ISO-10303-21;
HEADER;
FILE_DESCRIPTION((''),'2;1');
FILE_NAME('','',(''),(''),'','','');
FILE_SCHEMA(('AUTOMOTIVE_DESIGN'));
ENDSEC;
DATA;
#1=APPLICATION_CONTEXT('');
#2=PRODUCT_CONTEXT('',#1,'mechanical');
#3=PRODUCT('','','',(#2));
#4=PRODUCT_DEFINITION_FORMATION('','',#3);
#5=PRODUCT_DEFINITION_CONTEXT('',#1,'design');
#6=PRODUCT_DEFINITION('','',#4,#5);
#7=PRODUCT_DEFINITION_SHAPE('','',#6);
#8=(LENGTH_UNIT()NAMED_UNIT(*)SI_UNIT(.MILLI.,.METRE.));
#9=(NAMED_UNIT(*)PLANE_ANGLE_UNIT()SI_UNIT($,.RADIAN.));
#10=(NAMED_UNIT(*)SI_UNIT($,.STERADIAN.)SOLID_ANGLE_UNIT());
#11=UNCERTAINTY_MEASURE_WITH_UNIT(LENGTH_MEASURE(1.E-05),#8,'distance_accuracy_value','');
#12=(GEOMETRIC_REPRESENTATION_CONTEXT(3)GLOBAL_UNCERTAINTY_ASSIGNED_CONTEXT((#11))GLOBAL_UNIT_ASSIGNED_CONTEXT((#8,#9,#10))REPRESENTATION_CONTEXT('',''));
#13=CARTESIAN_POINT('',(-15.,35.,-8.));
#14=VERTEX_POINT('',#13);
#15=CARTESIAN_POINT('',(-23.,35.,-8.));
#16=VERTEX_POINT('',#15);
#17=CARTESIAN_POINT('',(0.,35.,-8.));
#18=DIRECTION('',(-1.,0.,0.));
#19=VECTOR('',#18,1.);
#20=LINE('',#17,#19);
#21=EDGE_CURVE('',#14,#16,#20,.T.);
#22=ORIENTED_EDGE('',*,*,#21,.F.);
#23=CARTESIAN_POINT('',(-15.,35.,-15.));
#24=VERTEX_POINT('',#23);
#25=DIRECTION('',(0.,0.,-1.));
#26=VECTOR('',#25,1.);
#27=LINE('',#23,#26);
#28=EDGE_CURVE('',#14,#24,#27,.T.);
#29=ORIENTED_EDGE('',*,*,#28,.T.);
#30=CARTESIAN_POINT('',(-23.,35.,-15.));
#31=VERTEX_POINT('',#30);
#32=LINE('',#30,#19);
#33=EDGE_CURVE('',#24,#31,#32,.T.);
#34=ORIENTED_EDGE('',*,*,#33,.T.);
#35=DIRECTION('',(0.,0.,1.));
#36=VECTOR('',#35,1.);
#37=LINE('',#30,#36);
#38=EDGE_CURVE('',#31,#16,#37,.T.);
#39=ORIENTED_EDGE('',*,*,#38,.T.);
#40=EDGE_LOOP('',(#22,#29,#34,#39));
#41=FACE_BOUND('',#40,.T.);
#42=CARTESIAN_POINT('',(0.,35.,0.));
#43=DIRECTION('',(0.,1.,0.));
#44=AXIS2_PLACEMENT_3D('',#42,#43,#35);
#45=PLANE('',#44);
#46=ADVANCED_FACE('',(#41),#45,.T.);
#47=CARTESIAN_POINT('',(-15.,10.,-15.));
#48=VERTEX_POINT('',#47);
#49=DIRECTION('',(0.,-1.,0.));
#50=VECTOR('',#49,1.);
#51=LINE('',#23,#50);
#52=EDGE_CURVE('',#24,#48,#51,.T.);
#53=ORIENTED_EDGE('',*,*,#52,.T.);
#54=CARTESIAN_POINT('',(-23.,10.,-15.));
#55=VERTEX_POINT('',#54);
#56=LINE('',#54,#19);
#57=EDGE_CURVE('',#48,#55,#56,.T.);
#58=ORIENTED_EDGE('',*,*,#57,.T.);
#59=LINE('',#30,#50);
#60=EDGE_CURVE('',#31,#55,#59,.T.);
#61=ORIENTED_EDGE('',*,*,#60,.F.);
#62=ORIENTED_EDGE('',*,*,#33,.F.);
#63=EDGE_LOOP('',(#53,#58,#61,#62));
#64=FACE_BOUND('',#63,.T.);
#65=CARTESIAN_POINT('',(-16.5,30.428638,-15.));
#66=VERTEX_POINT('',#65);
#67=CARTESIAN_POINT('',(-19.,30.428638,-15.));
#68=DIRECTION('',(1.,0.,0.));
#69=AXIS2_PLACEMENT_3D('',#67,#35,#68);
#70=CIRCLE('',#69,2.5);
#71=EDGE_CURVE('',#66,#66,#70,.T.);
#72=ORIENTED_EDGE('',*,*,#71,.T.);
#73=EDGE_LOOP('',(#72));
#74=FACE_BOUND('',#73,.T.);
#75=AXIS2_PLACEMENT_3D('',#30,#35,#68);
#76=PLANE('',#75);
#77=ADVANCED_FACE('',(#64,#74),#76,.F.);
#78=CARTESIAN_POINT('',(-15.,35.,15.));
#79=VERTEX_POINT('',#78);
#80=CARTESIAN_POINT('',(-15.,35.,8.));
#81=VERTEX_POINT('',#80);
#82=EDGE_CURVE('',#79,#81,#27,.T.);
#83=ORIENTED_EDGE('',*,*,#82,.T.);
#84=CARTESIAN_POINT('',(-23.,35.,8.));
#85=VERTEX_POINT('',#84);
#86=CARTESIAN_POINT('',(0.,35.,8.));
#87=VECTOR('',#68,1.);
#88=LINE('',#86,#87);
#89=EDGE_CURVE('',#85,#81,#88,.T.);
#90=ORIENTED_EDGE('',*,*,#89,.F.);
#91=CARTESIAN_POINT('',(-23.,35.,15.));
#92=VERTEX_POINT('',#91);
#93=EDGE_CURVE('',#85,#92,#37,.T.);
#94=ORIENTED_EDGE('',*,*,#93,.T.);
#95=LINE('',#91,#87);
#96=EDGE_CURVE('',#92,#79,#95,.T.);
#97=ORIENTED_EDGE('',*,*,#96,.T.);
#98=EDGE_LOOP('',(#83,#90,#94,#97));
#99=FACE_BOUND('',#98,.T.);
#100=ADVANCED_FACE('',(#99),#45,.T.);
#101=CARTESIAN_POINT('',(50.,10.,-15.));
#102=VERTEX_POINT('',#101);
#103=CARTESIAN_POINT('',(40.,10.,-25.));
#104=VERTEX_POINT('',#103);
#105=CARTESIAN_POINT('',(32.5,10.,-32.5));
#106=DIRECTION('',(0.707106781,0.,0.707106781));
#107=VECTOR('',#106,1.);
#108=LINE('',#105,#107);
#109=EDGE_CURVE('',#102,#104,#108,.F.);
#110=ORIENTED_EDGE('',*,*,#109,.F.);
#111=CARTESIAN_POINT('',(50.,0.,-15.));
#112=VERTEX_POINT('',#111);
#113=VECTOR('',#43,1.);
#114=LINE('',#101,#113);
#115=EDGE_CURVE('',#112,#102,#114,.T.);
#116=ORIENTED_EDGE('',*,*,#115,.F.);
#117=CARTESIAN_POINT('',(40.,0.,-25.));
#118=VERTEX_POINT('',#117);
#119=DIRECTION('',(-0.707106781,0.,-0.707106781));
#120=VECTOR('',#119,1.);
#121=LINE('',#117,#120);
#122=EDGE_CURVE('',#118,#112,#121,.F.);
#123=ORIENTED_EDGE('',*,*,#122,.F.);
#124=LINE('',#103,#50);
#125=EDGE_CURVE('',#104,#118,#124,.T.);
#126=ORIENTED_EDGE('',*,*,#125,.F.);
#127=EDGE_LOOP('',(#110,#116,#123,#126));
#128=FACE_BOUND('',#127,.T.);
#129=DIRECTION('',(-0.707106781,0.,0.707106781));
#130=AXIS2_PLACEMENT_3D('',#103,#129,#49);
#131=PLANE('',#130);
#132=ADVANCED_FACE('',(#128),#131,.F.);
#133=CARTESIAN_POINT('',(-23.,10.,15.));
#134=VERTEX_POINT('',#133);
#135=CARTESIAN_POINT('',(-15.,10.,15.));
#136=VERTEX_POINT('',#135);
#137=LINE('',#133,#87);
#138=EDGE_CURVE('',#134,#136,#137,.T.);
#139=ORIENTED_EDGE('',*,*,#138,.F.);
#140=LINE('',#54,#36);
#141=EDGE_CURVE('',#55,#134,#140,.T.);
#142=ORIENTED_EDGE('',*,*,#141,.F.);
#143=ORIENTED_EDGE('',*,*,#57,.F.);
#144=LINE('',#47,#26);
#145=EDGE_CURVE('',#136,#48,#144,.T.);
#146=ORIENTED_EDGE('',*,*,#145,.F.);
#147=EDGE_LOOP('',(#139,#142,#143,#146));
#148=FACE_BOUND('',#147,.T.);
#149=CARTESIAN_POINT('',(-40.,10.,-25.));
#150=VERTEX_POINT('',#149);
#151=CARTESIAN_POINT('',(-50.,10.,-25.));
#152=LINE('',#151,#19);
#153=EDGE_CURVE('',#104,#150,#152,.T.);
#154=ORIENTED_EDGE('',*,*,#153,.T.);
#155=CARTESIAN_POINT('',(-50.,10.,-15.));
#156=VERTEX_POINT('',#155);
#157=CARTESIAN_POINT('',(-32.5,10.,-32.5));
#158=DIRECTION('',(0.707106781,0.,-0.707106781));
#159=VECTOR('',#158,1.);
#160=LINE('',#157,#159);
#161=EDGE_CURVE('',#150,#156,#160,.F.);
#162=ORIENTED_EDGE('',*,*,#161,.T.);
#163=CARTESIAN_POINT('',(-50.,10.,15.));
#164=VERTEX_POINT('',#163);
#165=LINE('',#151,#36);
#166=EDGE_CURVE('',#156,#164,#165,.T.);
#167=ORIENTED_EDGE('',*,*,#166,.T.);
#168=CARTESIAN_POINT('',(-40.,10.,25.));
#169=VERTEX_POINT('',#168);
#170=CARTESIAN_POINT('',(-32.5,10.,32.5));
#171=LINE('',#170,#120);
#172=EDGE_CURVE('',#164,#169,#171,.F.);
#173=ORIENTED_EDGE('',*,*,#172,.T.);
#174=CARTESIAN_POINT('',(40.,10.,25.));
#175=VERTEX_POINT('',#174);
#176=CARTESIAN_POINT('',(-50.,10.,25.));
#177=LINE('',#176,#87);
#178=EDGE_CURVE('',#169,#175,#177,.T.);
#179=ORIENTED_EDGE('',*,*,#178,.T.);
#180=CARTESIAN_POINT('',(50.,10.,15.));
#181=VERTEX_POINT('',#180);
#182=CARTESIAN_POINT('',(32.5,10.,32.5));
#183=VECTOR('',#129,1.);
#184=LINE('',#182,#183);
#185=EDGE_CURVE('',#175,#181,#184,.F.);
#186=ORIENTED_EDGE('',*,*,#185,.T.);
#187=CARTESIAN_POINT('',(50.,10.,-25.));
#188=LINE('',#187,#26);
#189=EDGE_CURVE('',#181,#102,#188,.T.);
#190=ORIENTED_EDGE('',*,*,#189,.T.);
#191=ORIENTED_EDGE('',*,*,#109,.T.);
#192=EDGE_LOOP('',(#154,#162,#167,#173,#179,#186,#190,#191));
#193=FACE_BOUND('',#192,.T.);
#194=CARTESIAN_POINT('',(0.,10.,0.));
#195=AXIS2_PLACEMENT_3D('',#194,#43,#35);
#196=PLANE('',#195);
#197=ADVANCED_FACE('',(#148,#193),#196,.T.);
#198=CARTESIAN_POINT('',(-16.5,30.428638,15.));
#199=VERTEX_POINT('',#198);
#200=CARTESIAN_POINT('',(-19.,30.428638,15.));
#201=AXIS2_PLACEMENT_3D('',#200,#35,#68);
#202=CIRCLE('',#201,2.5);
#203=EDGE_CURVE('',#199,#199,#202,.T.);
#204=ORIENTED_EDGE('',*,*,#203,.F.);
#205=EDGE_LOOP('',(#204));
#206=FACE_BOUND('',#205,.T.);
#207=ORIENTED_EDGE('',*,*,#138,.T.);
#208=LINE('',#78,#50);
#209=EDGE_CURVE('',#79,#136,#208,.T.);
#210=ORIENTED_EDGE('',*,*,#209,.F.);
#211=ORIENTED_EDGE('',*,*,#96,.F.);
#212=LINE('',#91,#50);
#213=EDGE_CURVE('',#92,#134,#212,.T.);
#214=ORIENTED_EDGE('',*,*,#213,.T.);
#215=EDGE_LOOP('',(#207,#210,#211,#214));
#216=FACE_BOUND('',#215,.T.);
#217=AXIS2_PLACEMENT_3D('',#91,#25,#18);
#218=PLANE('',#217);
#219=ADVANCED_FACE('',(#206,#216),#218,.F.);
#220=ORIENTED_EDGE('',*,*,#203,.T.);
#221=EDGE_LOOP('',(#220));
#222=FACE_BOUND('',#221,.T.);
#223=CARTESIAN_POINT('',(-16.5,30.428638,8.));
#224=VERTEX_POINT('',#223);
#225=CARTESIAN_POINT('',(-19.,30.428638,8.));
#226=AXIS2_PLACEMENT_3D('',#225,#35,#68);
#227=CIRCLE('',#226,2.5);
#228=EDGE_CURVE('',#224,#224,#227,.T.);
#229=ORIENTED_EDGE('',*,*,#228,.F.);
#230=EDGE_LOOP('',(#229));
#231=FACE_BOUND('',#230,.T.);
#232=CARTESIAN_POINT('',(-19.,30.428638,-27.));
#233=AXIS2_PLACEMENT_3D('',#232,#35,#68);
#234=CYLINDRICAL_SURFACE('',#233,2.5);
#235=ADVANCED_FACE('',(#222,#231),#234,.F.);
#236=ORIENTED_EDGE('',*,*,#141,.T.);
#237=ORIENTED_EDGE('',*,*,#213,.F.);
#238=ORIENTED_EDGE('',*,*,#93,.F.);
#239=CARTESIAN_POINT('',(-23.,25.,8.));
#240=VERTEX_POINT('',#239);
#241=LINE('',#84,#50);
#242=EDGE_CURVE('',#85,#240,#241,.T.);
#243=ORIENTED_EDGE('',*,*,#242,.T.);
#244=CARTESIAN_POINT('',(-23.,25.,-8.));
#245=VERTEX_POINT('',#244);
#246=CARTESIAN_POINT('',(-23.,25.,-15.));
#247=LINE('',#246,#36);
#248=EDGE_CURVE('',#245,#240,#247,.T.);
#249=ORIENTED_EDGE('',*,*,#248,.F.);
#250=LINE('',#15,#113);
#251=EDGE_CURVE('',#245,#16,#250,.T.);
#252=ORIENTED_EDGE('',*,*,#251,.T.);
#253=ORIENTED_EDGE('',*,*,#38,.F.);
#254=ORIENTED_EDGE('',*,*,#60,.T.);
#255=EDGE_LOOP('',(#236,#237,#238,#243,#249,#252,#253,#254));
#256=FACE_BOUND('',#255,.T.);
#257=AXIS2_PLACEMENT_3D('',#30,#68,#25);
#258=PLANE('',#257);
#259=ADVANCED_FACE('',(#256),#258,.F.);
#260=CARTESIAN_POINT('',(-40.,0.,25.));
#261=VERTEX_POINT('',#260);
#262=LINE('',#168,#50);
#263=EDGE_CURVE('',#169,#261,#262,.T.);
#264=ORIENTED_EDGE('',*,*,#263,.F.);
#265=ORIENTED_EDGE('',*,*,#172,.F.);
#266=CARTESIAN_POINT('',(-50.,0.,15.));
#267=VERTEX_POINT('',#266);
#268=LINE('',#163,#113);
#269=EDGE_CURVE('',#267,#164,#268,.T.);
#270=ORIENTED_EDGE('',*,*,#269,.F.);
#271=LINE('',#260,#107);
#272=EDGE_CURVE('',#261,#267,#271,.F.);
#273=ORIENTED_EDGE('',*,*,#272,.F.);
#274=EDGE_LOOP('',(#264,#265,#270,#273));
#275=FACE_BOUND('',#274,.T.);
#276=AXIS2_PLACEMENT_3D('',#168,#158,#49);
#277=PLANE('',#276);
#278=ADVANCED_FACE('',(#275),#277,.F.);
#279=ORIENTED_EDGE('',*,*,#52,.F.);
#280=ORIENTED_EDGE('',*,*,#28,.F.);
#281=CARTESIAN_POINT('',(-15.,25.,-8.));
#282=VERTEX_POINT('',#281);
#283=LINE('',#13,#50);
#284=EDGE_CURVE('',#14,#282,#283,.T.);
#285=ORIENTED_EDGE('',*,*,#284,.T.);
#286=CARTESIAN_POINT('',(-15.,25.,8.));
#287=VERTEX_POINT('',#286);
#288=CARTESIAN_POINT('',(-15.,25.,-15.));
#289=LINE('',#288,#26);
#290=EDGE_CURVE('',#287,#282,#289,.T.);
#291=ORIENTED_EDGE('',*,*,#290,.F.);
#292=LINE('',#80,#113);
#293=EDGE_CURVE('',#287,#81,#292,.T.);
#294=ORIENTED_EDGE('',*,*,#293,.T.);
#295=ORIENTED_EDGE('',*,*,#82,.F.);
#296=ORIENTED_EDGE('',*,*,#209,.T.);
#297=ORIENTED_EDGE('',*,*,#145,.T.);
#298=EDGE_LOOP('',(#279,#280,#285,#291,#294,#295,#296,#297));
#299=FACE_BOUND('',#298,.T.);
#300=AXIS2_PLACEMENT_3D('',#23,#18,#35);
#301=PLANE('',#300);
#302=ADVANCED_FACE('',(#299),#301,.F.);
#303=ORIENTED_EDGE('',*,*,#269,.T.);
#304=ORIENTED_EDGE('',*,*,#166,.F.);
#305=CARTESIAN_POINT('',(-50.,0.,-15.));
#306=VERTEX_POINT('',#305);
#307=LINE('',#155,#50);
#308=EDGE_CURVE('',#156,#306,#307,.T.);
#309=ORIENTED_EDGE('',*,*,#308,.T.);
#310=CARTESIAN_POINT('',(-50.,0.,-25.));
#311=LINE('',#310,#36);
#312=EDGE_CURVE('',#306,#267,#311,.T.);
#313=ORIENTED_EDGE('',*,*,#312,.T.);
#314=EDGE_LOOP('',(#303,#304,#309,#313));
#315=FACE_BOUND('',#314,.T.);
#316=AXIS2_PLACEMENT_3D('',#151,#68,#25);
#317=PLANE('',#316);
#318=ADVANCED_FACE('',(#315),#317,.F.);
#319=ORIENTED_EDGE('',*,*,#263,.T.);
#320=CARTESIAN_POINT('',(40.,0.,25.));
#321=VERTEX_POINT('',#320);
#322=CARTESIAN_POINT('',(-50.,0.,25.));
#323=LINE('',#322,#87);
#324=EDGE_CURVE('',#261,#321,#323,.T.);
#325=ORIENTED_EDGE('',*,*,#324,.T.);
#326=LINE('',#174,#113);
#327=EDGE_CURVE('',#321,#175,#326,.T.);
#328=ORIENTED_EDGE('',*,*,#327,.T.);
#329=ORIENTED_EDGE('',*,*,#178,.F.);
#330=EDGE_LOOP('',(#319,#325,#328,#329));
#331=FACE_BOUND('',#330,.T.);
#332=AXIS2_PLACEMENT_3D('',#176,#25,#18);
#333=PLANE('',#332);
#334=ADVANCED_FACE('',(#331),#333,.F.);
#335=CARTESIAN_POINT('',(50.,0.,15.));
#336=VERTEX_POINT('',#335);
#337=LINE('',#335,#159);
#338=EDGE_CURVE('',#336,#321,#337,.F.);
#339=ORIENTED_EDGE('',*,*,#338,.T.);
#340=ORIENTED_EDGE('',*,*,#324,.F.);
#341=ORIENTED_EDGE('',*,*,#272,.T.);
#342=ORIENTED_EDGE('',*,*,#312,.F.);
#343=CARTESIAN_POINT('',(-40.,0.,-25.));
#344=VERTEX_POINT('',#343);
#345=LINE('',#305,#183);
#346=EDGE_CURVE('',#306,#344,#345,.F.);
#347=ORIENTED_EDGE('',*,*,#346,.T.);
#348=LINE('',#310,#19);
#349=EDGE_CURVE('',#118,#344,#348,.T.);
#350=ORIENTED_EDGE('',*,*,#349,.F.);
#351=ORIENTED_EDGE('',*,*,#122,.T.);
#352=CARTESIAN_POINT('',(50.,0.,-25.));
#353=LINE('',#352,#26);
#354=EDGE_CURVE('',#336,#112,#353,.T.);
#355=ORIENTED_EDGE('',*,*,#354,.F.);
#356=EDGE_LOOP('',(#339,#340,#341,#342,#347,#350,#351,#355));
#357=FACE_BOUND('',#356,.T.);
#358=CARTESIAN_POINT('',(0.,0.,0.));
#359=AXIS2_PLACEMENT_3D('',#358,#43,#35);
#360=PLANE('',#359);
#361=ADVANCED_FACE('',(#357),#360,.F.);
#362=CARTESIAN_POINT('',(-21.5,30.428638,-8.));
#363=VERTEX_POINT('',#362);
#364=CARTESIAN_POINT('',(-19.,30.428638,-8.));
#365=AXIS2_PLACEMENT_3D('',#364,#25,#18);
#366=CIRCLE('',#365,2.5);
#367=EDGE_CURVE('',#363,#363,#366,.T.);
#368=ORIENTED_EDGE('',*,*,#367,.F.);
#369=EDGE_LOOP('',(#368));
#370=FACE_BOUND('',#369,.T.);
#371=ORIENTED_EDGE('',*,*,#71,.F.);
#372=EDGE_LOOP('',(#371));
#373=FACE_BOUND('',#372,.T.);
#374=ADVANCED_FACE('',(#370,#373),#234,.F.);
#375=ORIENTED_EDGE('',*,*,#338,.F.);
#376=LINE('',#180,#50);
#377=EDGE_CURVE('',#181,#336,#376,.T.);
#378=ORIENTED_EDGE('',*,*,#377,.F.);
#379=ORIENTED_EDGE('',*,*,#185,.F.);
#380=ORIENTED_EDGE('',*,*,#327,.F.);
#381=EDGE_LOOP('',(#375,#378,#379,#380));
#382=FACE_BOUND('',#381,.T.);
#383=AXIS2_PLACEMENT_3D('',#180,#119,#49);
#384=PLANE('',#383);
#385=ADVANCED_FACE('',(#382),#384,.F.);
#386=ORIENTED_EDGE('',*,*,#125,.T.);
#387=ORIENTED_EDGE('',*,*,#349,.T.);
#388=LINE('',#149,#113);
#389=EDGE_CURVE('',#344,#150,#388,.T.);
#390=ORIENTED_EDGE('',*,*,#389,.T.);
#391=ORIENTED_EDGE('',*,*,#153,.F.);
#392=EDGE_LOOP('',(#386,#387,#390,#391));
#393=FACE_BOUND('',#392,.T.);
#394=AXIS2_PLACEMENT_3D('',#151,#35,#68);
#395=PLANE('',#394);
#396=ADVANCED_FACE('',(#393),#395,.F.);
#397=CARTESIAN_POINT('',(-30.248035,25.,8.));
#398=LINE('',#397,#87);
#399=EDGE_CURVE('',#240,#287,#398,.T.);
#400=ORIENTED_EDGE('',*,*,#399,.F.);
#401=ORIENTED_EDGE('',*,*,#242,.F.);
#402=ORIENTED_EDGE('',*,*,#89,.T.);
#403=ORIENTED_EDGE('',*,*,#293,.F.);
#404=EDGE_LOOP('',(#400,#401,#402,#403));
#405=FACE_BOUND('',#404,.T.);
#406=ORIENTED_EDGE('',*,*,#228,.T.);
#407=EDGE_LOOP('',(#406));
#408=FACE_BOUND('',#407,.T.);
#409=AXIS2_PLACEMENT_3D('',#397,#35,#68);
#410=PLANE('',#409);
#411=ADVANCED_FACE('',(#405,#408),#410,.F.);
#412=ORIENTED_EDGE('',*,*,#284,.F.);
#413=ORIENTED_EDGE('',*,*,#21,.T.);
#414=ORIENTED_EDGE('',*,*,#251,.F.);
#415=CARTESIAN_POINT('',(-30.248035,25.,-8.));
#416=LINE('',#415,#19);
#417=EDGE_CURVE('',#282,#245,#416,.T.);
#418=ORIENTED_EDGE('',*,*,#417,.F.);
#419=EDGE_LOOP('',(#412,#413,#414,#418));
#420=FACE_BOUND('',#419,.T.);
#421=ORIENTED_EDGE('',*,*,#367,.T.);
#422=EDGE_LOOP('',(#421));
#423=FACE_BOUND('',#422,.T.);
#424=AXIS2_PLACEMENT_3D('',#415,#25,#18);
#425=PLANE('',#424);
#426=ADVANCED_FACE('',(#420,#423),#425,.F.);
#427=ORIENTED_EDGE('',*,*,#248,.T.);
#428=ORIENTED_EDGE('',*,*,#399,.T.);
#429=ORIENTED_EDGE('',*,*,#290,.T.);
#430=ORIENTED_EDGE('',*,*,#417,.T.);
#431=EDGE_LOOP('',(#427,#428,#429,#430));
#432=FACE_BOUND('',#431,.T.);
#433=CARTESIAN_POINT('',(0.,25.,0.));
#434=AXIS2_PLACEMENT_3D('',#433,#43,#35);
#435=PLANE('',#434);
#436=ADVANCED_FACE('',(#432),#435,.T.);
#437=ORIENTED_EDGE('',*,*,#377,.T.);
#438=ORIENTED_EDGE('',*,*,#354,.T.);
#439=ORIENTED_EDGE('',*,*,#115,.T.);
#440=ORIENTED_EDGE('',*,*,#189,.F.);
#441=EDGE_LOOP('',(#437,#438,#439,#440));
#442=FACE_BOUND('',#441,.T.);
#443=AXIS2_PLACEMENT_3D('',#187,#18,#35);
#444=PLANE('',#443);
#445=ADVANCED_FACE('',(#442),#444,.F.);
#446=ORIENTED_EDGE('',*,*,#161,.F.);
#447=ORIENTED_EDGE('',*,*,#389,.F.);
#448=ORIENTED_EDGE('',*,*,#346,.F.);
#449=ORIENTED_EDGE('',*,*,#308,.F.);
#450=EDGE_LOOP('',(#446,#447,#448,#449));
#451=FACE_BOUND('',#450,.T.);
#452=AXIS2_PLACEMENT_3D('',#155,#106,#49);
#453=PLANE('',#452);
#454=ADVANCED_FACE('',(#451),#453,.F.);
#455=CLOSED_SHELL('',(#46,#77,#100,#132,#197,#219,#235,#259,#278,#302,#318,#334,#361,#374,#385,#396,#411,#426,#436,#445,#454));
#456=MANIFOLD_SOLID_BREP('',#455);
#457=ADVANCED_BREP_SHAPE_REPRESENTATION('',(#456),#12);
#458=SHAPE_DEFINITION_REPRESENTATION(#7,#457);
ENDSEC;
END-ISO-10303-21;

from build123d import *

# Parameters (mm, degrees)
SKETCH1_W           = 100
SKETCH1_H           = 50
BOSS_EXTRUDE1_DEPTH = 10
CHAMFER1_SIZE       = 10
SKETCH2_W           = 8
SKETCH2_H           = 30
BOSS_EXTRUDE2_DEPTH = 25
SKETCH3_W           = 24.32534271
SKETCH3_H           = 16
CUT_EXTRUDE1_DEPTH  = 10
SKETCH4_R           = 2.5
CUT_EXTRUDE2_DEPTH  = 42


with BuildPart() as part:
    # Sketch1 → Boss-Extrude1 (new body)
    with BuildSketch(Plane(origin=(0, 0, 0), x_dir=(1, 0, 0), z_dir=(0, 1, 0))):
        Rectangle(SKETCH1_W, SKETCH1_H)
    extrude(amount=BOSS_EXTRUDE1_DEPTH)

    # Chamfer1
    chamfer1_edges = [part.edges().sort_by_distance(p)[0] for p in [
        (-50, 5, -25),
        (50, 5, -25),
        (50, 5, 25),
        (-50, 5, 25),
    ]]
    chamfer(chamfer1_edges, length=CHAMFER1_SIZE)

    # Sketch2 → Boss-Extrude2 (add)
    with BuildSketch(Plane(origin=(0, 10, 0), x_dir=(1, 0, 0), z_dir=(0, 1, 0))):
        with Locations((-19, 0)):
            Rectangle(SKETCH2_W, SKETCH2_H)
    extrude(amount=BOSS_EXTRUDE2_DEPTH)

    # Sketch3 → Cut-Extrude1 (cut)
    with BuildSketch(Plane(origin=(0, 35, 0), x_dir=(1, 0, 0), z_dir=(0, 1, 0))):
        with Locations((-18.085363493, 0)):
            Rectangle(SKETCH3_W, SKETCH3_H)
    extrude(amount=-CUT_EXTRUDE1_DEPTH, mode=Mode.SUBTRACT)

    # Sketch4 → Cut-Extrude2 (cut)
    with BuildSketch(Plane.XY.offset(15)):
        with Locations((-19, 30.428638458)):
            Circle(SKETCH4_R)
    extrude(amount=-CUT_EXTRUDE2_DEPTH, mode=Mode.SUBTRACT)


solid = part.part
